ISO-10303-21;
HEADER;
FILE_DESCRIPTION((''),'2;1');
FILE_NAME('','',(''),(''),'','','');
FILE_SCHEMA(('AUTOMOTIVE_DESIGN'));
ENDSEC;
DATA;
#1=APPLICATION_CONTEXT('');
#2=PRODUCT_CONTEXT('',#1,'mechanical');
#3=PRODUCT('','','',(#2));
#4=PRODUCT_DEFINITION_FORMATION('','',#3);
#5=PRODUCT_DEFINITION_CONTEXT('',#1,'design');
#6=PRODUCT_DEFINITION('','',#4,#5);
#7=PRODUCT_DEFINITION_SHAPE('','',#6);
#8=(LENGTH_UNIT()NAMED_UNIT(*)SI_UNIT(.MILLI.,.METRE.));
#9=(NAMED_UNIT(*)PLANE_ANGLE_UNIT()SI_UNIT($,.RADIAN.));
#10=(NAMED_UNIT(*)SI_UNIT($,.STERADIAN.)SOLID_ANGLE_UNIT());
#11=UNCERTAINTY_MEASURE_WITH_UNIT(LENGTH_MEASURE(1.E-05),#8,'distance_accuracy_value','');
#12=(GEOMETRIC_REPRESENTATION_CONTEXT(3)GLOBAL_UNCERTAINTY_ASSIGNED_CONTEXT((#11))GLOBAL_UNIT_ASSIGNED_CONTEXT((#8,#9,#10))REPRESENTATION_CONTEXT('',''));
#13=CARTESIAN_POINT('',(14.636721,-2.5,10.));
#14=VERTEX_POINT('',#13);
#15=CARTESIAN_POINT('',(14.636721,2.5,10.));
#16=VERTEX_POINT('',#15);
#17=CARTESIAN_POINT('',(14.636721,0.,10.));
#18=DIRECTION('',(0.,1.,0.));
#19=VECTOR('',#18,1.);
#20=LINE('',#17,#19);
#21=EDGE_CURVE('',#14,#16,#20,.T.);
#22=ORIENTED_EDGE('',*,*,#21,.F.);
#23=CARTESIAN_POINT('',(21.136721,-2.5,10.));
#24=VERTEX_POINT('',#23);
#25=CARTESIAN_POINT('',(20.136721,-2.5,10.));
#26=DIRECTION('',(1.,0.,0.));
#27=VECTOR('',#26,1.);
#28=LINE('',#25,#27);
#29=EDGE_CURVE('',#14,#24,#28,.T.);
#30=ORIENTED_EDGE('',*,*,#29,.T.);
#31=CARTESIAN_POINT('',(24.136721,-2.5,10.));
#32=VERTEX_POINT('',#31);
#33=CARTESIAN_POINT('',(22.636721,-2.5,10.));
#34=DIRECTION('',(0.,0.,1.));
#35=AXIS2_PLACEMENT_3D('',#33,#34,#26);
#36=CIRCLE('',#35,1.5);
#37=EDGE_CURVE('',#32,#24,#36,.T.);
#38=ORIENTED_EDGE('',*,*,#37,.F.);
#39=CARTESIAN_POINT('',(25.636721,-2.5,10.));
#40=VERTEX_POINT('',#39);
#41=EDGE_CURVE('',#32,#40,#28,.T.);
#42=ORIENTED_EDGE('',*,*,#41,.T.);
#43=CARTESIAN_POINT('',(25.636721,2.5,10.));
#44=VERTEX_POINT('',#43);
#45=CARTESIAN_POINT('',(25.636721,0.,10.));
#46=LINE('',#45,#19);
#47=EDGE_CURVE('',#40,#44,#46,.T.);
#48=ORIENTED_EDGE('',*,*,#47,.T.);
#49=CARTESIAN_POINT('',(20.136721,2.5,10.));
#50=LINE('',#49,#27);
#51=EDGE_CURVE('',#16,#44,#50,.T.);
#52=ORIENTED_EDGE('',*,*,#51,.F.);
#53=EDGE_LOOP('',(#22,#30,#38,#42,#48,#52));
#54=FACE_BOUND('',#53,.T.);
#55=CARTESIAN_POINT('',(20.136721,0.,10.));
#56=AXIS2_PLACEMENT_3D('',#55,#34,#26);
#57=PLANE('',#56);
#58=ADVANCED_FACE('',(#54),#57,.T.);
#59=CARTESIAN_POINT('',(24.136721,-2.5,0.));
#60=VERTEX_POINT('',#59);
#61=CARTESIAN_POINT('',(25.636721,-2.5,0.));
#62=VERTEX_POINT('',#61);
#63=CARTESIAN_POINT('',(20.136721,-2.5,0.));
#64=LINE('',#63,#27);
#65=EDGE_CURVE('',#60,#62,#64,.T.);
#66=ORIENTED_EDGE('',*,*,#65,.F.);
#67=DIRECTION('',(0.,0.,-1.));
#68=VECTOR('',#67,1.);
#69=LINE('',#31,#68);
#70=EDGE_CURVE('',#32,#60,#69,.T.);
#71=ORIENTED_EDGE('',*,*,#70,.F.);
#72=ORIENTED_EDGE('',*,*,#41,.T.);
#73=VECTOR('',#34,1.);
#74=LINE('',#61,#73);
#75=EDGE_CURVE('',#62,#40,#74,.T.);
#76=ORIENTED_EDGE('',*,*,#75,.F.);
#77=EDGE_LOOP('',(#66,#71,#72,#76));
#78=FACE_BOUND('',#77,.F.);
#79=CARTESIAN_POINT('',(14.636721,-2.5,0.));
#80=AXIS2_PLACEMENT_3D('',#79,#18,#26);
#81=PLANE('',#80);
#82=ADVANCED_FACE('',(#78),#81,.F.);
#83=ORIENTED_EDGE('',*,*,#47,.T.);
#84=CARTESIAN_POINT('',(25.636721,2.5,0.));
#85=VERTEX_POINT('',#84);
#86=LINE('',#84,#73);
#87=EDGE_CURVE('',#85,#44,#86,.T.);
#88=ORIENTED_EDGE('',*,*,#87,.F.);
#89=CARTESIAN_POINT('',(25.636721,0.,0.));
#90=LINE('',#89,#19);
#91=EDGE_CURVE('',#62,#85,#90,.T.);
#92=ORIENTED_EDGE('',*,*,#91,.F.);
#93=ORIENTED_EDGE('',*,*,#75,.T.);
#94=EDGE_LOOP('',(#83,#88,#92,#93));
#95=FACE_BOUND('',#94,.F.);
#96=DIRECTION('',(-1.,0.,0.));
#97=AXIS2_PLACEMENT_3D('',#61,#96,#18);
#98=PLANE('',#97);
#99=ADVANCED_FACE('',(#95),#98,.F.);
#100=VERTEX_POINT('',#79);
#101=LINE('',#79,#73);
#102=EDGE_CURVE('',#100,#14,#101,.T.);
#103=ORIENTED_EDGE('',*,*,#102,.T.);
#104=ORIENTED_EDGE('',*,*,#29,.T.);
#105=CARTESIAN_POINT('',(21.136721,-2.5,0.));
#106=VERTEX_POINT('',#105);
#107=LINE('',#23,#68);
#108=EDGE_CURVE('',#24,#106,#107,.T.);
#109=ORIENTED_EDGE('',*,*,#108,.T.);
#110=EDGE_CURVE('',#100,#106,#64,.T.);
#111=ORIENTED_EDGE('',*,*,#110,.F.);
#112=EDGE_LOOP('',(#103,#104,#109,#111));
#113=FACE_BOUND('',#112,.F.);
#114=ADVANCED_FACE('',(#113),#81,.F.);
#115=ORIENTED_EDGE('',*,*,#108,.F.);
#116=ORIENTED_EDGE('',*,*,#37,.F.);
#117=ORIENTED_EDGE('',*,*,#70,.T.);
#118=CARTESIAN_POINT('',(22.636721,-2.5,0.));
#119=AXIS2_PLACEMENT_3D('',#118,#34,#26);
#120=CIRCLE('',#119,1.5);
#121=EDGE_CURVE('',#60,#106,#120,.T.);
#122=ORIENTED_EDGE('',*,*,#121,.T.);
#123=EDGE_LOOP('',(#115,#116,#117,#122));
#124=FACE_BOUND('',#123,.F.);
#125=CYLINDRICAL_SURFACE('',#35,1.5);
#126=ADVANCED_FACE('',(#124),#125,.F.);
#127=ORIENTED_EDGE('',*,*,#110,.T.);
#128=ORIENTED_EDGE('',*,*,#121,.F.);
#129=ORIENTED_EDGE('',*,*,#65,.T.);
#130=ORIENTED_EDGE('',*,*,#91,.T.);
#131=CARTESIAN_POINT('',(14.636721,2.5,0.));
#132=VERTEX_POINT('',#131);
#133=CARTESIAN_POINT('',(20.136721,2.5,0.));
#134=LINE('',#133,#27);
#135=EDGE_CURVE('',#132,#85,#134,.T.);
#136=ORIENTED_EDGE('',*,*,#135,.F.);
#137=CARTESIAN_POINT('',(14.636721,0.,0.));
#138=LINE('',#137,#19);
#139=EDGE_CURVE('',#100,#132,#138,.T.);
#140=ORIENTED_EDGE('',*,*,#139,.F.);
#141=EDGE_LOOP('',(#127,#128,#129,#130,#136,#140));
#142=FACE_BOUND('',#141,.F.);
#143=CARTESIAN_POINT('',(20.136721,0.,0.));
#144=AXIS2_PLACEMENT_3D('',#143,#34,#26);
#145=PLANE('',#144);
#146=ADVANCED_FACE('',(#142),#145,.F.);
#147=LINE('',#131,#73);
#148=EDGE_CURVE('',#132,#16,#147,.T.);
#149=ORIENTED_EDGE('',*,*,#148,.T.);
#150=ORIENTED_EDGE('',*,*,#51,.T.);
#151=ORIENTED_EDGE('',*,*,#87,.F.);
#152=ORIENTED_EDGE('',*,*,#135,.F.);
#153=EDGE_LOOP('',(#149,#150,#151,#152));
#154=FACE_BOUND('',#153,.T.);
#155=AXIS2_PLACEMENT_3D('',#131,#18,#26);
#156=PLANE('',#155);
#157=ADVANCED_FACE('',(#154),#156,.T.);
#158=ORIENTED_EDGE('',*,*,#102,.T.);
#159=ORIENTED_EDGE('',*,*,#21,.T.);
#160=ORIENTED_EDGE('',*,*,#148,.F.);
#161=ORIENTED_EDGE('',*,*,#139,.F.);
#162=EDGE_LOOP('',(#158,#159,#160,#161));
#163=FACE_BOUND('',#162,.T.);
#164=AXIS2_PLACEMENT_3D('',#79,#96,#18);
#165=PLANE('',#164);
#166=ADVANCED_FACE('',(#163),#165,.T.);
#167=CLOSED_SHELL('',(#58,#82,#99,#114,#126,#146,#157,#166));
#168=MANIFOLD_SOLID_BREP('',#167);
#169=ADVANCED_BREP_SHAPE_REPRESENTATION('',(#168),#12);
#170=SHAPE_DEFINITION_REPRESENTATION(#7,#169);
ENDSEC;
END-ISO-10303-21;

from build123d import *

# Parameters (mm, degrees)
F0_W     = 11
F0_H     = 5
F1_DEPTH = 10
F3_DEPTH = 10.001


with BuildPart() as f1:
    # F0 (on Top) → F1 (new body)
    with BuildSketch(Plane.XY):
        with Locations((20.1367214707, 0)):
            Rectangle(F0_W, F0_H)
    extrude(amount=F1_DEPTH)

    # F2 (on face) → F3 (cut, through all)
    with BuildSketch(Plane.XY.offset(10)):
        with BuildLine():
            Line((21.1367214707, -2.5), (24.1367214707, -2.5))
            ThreePointArc((24.1367214707, -2.5), (22.6367214707, -1), (21.1367214707, -2.5))
        make_face()
    extrude(amount=-F3_DEPTH, mode=Mode.SUBTRACT)


solid = f1.part
